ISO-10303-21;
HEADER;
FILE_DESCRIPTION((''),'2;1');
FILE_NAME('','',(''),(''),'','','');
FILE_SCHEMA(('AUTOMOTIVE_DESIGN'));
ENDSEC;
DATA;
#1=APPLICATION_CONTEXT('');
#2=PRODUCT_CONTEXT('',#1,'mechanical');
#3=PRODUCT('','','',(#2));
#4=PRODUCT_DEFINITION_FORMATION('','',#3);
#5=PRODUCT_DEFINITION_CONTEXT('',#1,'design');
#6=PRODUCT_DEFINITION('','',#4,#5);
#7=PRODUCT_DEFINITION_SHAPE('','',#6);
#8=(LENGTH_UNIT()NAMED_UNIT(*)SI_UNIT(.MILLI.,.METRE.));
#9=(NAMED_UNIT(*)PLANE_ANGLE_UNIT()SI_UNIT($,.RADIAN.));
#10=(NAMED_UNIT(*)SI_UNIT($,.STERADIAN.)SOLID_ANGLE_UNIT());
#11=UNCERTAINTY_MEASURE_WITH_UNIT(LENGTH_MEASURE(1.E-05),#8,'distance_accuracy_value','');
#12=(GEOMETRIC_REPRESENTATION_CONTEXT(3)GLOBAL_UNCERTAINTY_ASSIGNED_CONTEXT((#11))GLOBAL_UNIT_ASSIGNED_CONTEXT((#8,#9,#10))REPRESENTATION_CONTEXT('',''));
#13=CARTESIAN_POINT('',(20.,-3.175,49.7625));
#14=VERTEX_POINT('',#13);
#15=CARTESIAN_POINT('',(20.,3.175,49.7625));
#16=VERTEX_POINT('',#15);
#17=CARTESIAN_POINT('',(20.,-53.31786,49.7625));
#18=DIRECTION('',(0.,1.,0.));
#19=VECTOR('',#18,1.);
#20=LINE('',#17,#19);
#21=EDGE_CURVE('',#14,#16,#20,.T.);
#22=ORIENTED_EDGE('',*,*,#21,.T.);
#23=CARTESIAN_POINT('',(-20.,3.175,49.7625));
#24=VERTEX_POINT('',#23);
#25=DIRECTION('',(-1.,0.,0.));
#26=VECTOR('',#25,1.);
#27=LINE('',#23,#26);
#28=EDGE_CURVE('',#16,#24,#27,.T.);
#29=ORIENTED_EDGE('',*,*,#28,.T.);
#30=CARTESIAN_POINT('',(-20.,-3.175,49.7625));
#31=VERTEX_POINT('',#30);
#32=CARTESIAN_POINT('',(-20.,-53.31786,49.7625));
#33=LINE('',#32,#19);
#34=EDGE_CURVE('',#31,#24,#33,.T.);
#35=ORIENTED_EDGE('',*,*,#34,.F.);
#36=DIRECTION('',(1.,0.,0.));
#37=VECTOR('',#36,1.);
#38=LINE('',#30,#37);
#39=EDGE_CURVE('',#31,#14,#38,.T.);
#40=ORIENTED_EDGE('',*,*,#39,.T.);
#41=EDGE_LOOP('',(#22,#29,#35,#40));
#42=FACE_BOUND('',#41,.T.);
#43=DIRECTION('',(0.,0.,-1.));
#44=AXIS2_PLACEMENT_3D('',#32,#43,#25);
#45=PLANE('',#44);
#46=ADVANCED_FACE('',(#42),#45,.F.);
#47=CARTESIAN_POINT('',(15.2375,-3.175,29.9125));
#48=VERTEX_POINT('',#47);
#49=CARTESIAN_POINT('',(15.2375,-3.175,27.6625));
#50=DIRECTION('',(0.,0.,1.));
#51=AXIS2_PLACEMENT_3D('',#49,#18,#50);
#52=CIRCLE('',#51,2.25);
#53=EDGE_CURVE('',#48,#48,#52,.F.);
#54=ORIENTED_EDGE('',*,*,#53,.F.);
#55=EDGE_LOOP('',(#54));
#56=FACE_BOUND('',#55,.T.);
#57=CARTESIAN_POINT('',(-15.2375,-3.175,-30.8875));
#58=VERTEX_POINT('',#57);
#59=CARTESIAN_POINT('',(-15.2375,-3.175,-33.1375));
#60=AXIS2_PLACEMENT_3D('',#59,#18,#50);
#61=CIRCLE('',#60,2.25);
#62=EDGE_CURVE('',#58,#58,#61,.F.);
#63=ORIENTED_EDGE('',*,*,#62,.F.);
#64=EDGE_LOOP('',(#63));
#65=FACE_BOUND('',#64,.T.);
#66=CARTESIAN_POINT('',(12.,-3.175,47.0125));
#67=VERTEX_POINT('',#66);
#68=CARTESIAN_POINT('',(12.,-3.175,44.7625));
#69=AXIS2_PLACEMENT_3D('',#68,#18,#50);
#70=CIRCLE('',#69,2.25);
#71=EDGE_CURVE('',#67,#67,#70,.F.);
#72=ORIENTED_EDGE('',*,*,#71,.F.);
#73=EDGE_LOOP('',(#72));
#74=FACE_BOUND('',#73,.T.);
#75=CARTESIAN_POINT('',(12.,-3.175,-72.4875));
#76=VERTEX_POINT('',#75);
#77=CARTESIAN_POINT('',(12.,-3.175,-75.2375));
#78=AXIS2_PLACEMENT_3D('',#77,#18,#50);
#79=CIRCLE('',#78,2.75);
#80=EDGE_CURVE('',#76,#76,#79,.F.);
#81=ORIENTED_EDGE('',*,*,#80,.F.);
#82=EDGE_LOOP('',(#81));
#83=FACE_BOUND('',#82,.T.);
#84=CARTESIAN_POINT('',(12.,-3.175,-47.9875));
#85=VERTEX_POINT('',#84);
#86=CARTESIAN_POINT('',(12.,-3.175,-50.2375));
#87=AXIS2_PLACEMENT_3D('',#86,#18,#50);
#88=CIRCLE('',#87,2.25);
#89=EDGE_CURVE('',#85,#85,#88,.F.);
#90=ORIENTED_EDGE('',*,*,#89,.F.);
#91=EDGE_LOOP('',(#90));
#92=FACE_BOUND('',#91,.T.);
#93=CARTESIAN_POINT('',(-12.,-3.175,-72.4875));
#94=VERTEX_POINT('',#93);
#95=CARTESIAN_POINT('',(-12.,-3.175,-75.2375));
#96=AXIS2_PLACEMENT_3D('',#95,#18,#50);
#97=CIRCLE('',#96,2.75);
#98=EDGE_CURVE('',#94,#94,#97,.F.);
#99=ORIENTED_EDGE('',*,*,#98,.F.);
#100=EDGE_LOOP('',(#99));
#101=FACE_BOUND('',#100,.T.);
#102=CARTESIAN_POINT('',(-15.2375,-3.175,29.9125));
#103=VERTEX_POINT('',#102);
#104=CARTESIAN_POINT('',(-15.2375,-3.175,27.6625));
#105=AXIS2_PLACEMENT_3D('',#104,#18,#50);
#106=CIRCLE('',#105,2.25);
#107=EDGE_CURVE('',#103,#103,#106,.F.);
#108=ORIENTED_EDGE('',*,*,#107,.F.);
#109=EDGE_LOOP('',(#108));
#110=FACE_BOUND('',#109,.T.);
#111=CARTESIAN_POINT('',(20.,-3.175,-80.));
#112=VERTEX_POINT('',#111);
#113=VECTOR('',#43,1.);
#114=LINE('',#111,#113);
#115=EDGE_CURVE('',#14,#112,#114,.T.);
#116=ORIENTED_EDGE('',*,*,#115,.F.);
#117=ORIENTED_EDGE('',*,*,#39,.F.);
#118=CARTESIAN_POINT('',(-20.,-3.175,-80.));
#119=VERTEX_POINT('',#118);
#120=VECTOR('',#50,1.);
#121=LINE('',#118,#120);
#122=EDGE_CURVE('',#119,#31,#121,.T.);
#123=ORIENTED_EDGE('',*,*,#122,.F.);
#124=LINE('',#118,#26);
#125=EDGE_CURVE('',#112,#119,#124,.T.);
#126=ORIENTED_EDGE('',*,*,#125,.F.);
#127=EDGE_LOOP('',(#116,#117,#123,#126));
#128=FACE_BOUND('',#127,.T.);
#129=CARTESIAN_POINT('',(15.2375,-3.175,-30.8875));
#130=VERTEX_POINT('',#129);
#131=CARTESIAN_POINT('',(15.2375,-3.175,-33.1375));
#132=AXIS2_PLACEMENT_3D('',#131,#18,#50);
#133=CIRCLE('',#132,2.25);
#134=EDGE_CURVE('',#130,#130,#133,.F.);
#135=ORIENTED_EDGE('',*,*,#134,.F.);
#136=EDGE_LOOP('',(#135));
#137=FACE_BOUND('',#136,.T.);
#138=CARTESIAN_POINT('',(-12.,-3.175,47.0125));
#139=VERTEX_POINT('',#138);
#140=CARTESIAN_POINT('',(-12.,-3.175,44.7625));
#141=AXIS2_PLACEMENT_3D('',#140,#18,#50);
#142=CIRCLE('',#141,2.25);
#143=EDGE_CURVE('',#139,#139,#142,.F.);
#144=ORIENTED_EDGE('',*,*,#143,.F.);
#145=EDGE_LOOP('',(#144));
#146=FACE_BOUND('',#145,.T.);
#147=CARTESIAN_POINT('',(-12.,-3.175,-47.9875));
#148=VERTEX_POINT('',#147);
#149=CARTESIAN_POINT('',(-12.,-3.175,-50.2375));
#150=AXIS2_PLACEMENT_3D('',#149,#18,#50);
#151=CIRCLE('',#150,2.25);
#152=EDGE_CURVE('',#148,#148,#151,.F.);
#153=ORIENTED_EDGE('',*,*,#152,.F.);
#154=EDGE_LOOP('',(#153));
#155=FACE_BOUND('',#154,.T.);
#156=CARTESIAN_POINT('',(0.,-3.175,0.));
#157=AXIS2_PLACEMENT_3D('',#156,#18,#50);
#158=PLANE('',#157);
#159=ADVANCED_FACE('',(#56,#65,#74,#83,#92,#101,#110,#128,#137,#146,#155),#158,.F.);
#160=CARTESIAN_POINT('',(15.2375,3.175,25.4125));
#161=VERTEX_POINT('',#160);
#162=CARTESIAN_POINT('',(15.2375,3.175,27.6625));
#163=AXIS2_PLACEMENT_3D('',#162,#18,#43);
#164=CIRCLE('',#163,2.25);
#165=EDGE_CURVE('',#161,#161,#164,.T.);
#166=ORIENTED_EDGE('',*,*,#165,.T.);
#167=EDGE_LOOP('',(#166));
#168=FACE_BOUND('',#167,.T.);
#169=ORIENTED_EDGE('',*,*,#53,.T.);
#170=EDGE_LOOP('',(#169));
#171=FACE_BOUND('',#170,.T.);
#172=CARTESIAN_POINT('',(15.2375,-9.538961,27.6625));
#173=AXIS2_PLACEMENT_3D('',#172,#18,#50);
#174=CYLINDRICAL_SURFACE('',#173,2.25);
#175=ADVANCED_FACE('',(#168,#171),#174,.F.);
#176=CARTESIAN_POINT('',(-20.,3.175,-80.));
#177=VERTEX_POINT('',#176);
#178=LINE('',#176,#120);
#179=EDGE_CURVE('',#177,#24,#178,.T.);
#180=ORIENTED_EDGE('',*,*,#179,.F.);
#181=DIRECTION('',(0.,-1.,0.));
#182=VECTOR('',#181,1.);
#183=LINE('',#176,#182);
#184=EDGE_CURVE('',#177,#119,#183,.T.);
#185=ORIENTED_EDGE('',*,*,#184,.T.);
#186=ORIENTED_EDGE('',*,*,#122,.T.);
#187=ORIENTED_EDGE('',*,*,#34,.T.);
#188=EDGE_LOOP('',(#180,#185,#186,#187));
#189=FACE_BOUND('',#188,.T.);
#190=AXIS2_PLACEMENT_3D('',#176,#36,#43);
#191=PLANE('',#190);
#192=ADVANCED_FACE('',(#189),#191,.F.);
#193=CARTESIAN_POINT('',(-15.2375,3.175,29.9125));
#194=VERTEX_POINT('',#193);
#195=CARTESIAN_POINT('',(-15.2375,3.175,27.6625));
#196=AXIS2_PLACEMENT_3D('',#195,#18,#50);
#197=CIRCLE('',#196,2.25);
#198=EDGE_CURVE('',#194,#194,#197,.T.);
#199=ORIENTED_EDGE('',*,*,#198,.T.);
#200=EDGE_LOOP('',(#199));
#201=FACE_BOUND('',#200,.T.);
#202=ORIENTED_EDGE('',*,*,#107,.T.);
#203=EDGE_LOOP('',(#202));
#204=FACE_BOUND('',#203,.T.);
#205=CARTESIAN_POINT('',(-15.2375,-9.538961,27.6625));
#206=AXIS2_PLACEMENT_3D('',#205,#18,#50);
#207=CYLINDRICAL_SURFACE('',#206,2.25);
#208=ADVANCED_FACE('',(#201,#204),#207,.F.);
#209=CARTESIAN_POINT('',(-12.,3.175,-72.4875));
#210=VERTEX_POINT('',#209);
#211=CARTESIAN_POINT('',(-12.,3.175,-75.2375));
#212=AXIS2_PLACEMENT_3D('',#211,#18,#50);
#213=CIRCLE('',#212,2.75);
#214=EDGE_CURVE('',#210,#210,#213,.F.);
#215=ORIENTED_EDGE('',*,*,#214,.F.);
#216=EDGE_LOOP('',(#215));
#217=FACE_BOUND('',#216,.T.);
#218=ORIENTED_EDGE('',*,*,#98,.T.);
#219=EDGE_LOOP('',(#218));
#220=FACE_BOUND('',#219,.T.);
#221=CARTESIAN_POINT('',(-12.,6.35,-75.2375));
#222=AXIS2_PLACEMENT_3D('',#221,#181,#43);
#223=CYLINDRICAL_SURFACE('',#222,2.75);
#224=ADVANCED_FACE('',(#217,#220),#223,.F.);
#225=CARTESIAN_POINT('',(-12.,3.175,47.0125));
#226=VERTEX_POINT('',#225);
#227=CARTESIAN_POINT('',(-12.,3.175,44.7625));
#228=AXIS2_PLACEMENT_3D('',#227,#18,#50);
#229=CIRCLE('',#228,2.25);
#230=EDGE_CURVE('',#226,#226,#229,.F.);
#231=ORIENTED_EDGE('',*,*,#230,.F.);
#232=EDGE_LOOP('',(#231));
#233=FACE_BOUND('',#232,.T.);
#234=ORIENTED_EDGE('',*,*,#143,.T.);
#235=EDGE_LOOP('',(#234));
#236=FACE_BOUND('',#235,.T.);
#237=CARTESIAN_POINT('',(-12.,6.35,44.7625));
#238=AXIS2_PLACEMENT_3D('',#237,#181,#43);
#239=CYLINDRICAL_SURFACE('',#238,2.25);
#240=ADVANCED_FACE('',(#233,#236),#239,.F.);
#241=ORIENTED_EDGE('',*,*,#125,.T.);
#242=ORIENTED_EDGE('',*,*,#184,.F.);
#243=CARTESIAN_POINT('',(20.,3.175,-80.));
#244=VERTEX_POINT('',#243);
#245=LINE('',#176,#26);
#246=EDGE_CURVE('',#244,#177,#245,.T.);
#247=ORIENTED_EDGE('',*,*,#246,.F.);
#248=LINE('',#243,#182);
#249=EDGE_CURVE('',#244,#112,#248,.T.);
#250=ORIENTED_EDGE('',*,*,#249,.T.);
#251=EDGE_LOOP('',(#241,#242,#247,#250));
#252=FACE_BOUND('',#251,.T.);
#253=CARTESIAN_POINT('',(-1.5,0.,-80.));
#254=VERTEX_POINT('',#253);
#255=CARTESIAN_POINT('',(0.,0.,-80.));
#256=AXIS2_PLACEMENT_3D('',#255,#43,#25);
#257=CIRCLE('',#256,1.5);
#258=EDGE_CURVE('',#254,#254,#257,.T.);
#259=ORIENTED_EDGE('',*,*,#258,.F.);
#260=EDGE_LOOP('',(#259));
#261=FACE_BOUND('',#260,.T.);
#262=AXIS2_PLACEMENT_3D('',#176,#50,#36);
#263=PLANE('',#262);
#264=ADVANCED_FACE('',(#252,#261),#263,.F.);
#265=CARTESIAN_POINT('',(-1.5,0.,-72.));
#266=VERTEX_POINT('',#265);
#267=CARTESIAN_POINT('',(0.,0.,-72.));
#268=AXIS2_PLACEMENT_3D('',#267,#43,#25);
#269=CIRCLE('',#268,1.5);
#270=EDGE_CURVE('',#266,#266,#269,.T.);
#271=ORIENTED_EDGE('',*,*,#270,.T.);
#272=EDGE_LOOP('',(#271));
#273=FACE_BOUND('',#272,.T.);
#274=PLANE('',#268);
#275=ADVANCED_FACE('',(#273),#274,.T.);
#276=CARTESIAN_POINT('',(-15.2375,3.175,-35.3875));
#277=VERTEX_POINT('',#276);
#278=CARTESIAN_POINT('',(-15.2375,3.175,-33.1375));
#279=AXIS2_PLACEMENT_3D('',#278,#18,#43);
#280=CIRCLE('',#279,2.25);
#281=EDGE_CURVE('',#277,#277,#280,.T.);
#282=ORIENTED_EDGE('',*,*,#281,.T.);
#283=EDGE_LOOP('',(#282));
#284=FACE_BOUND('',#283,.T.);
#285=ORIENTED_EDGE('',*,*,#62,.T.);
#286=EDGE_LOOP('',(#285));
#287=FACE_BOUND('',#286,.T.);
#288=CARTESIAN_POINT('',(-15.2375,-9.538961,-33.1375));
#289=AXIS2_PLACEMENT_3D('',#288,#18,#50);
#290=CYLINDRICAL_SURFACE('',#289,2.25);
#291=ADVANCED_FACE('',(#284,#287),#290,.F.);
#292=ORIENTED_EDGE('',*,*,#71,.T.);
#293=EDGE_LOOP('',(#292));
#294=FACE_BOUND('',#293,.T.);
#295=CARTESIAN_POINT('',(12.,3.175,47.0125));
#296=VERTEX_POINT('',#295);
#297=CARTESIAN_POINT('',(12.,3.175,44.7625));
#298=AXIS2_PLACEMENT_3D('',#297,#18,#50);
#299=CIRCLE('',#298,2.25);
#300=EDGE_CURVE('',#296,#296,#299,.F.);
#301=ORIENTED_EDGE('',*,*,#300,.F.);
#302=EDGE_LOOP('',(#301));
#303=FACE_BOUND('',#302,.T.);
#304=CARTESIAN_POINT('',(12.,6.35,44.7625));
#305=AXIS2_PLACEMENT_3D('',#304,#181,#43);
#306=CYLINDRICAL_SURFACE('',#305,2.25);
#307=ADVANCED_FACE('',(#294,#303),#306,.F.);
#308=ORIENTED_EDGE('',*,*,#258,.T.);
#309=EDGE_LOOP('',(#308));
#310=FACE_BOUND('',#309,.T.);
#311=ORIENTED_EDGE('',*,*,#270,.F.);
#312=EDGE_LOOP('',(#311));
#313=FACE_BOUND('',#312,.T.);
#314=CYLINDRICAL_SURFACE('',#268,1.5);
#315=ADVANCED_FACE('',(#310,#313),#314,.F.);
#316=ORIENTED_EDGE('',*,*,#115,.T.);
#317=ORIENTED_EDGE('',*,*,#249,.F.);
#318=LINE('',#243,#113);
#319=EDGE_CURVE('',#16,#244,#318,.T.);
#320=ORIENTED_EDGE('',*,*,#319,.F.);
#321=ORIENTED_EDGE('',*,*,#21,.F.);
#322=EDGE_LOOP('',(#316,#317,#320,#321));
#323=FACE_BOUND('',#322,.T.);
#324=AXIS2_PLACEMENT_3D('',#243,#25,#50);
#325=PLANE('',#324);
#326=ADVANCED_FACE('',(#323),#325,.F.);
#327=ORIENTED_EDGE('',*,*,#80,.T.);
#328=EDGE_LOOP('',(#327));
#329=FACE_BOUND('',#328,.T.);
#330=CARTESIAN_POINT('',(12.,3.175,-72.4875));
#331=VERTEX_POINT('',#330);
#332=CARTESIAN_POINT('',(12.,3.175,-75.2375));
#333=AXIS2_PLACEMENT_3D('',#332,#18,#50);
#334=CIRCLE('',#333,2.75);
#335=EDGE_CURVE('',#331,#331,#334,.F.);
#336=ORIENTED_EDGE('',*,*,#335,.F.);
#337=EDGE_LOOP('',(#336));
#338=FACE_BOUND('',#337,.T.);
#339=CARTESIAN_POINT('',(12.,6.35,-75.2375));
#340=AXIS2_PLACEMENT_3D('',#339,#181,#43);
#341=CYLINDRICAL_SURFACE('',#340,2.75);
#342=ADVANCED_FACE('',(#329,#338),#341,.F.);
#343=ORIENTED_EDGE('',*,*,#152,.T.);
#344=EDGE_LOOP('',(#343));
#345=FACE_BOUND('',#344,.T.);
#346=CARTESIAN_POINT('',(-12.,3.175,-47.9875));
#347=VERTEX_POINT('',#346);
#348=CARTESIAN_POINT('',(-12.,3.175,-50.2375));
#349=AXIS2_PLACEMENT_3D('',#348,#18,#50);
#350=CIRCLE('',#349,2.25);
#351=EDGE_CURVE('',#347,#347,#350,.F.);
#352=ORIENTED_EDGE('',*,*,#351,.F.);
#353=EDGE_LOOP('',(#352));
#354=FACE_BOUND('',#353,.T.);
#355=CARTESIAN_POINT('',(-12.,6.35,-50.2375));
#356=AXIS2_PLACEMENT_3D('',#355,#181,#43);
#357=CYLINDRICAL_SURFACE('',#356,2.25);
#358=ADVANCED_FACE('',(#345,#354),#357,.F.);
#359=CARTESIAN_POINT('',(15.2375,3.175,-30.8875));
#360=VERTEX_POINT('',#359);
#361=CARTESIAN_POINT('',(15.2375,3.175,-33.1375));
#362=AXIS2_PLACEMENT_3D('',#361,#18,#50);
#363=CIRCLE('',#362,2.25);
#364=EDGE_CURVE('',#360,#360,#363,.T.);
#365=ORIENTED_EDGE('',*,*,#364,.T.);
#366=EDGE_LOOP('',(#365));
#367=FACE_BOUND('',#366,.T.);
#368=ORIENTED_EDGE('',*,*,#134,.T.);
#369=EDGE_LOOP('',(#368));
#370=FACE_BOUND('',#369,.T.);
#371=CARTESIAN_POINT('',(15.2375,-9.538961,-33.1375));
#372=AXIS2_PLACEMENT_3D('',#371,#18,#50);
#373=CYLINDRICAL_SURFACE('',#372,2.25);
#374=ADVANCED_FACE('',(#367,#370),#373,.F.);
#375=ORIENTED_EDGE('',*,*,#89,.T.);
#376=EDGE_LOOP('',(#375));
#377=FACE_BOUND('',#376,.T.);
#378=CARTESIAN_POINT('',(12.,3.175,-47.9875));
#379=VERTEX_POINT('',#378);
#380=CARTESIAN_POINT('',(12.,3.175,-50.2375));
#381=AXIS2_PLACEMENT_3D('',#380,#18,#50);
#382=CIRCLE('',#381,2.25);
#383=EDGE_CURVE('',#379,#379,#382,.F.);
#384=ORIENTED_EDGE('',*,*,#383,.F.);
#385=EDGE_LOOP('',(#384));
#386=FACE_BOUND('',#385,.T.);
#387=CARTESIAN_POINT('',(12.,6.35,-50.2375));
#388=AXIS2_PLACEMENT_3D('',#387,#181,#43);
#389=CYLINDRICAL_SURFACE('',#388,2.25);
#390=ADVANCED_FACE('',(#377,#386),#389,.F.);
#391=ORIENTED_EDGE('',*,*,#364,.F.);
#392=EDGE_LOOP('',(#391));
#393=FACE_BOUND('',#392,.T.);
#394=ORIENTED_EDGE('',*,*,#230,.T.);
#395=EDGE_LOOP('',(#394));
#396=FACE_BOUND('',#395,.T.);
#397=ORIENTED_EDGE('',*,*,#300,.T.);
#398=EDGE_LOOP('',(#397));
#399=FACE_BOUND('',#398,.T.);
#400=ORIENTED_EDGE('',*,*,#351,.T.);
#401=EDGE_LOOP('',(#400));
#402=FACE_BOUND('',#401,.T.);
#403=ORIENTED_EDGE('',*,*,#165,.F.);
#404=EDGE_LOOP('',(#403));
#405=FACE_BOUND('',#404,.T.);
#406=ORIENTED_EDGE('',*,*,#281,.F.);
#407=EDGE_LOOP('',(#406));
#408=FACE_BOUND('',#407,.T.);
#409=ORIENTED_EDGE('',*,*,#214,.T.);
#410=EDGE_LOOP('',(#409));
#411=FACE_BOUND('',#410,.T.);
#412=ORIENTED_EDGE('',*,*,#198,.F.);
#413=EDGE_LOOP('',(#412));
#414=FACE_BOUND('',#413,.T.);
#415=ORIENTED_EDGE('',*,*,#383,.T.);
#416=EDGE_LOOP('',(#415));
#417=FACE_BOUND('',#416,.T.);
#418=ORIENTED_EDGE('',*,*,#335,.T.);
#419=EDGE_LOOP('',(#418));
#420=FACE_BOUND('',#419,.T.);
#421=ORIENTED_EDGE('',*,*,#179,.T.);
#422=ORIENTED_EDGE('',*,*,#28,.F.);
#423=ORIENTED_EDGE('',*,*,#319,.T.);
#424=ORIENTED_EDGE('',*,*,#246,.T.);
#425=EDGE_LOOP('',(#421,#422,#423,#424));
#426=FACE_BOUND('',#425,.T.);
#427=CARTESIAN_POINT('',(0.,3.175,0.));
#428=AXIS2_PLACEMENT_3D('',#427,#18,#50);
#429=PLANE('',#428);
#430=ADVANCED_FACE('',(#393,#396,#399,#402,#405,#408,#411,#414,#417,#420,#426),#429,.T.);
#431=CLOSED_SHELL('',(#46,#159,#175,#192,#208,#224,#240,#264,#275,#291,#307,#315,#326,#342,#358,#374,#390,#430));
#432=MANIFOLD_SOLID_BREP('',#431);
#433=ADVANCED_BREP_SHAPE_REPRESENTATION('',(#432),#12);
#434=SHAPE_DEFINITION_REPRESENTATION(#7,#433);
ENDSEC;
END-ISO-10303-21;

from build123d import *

# Parameters (mm, degrees)
SKETCH1_W               = 40
SKETCH1_H               = 160
BOSS_EXTRUDE1_DEPTH     = 3.175
M4_5_THROUGH_DEPTH      = 6.35
M4_5_THROUGH_DEPTH_BACK = 3.175
SKETCH3_R               = 2.75
SKETCH3_R_2             = 2.25
SKETCH4_R               = 1.5
M3_DRILL_DEPTH          = 8
SKETCH5_R               = 2.25
M4_THROUGH_DEPTH        = 6.35
SKETCH6_W               = 40
SKETCH6_H               = 30.2375
CUT_EXTRUDE1_DEPTH      = 6.35


with BuildPart() as part:
    # Sketch1 → Boss-Extrude1 (new, symmetric)
    with BuildSketch(Plane(origin=(0, 0, 0), x_dir=(1, 0, 0), z_dir=(0, 1, 0))):
        Rectangle(SKETCH1_W, SKETCH1_H)
    extrude(amount=BOSS_EXTRUDE1_DEPTH, both=True)

    # Sketch3 → M4/5_through (cut, two sides: drawn at the far end of the back side and taken through both)
    with BuildSketch(Plane(origin=(0, 0, 0), x_dir=(1, 0, 0), z_dir=(0, 1, 0)).offset(-M4_5_THROUGH_DEPTH_BACK)):
        with Locations(Location((12, 75.2375, 0), (0, 0, 270))):
            Circle(SKETCH3_R)
        with Locations(Location((12, 50.2375, 0), (0, 0, 270))):
            Circle(SKETCH3_R_2)
        with Locations(Location((-12, 50.2375, 0), (0, 0, 270))):
            Circle(SKETCH3_R_2)
        with Locations(Location((-12, 75.2375, 0), (0, 0, 270))):
            Circle(SKETCH3_R)
        with Locations(Location((-12, -44.7625, 0), (0, 0, 270))):
            Circle(SKETCH3_R_2)
        with Locations(Location((12, -44.7625, 0), (0, 0, 270))):
            Circle(SKETCH3_R_2)
    extrude(amount=M4_5_THROUGH_DEPTH + M4_5_THROUGH_DEPTH_BACK, mode=Mode.SUBTRACT)

    # Sketch4 → M3_DRILL (cut)
    with BuildSketch(Plane(origin=(0, 0, -80), x_dir=(-1, 0, 0), z_dir=(0, 0, -1))):
        Circle(SKETCH4_R)
    extrude(amount=-M3_DRILL_DEPTH, mode=Mode.SUBTRACT)

    # Sketch5 → M4_through (cut)
    with BuildSketch(Plane(origin=(0, 3.175, 0), x_dir=(1, 0, 0), z_dir=(0, 1, 0))):
        with Locations(Location((-15.2375, -27.6625, 0), (0, 0, 270))):
            Circle(SKETCH5_R)
        with Locations(Location((15.2375, -27.6625, 0), (0, 0, 270))):
            Circle(SKETCH5_R)
        with Locations(Location((15.2375, 33.1375, 0), (0, 0, 270))):
            Circle(SKETCH5_R)
        with Locations(Location((-15.2375, 33.1375, 0), (0, 0, 270))):
            Circle(SKETCH5_R)
    extrude(amount=-M4_THROUGH_DEPTH, mode=Mode.SUBTRACT)

    # Sketch6 → Cut-Extrude1 (cut)
    with BuildSketch(Plane(origin=(0, 3.175, 0), x_dir=(1, 0, 0), z_dir=(0, 1, 0))):
        with Locations((0, -64.88125)):
            Rectangle(SKETCH6_W, SKETCH6_H)
    extrude(amount=-CUT_EXTRUDE1_DEPTH, mode=Mode.SUBTRACT)


solid = part.part
